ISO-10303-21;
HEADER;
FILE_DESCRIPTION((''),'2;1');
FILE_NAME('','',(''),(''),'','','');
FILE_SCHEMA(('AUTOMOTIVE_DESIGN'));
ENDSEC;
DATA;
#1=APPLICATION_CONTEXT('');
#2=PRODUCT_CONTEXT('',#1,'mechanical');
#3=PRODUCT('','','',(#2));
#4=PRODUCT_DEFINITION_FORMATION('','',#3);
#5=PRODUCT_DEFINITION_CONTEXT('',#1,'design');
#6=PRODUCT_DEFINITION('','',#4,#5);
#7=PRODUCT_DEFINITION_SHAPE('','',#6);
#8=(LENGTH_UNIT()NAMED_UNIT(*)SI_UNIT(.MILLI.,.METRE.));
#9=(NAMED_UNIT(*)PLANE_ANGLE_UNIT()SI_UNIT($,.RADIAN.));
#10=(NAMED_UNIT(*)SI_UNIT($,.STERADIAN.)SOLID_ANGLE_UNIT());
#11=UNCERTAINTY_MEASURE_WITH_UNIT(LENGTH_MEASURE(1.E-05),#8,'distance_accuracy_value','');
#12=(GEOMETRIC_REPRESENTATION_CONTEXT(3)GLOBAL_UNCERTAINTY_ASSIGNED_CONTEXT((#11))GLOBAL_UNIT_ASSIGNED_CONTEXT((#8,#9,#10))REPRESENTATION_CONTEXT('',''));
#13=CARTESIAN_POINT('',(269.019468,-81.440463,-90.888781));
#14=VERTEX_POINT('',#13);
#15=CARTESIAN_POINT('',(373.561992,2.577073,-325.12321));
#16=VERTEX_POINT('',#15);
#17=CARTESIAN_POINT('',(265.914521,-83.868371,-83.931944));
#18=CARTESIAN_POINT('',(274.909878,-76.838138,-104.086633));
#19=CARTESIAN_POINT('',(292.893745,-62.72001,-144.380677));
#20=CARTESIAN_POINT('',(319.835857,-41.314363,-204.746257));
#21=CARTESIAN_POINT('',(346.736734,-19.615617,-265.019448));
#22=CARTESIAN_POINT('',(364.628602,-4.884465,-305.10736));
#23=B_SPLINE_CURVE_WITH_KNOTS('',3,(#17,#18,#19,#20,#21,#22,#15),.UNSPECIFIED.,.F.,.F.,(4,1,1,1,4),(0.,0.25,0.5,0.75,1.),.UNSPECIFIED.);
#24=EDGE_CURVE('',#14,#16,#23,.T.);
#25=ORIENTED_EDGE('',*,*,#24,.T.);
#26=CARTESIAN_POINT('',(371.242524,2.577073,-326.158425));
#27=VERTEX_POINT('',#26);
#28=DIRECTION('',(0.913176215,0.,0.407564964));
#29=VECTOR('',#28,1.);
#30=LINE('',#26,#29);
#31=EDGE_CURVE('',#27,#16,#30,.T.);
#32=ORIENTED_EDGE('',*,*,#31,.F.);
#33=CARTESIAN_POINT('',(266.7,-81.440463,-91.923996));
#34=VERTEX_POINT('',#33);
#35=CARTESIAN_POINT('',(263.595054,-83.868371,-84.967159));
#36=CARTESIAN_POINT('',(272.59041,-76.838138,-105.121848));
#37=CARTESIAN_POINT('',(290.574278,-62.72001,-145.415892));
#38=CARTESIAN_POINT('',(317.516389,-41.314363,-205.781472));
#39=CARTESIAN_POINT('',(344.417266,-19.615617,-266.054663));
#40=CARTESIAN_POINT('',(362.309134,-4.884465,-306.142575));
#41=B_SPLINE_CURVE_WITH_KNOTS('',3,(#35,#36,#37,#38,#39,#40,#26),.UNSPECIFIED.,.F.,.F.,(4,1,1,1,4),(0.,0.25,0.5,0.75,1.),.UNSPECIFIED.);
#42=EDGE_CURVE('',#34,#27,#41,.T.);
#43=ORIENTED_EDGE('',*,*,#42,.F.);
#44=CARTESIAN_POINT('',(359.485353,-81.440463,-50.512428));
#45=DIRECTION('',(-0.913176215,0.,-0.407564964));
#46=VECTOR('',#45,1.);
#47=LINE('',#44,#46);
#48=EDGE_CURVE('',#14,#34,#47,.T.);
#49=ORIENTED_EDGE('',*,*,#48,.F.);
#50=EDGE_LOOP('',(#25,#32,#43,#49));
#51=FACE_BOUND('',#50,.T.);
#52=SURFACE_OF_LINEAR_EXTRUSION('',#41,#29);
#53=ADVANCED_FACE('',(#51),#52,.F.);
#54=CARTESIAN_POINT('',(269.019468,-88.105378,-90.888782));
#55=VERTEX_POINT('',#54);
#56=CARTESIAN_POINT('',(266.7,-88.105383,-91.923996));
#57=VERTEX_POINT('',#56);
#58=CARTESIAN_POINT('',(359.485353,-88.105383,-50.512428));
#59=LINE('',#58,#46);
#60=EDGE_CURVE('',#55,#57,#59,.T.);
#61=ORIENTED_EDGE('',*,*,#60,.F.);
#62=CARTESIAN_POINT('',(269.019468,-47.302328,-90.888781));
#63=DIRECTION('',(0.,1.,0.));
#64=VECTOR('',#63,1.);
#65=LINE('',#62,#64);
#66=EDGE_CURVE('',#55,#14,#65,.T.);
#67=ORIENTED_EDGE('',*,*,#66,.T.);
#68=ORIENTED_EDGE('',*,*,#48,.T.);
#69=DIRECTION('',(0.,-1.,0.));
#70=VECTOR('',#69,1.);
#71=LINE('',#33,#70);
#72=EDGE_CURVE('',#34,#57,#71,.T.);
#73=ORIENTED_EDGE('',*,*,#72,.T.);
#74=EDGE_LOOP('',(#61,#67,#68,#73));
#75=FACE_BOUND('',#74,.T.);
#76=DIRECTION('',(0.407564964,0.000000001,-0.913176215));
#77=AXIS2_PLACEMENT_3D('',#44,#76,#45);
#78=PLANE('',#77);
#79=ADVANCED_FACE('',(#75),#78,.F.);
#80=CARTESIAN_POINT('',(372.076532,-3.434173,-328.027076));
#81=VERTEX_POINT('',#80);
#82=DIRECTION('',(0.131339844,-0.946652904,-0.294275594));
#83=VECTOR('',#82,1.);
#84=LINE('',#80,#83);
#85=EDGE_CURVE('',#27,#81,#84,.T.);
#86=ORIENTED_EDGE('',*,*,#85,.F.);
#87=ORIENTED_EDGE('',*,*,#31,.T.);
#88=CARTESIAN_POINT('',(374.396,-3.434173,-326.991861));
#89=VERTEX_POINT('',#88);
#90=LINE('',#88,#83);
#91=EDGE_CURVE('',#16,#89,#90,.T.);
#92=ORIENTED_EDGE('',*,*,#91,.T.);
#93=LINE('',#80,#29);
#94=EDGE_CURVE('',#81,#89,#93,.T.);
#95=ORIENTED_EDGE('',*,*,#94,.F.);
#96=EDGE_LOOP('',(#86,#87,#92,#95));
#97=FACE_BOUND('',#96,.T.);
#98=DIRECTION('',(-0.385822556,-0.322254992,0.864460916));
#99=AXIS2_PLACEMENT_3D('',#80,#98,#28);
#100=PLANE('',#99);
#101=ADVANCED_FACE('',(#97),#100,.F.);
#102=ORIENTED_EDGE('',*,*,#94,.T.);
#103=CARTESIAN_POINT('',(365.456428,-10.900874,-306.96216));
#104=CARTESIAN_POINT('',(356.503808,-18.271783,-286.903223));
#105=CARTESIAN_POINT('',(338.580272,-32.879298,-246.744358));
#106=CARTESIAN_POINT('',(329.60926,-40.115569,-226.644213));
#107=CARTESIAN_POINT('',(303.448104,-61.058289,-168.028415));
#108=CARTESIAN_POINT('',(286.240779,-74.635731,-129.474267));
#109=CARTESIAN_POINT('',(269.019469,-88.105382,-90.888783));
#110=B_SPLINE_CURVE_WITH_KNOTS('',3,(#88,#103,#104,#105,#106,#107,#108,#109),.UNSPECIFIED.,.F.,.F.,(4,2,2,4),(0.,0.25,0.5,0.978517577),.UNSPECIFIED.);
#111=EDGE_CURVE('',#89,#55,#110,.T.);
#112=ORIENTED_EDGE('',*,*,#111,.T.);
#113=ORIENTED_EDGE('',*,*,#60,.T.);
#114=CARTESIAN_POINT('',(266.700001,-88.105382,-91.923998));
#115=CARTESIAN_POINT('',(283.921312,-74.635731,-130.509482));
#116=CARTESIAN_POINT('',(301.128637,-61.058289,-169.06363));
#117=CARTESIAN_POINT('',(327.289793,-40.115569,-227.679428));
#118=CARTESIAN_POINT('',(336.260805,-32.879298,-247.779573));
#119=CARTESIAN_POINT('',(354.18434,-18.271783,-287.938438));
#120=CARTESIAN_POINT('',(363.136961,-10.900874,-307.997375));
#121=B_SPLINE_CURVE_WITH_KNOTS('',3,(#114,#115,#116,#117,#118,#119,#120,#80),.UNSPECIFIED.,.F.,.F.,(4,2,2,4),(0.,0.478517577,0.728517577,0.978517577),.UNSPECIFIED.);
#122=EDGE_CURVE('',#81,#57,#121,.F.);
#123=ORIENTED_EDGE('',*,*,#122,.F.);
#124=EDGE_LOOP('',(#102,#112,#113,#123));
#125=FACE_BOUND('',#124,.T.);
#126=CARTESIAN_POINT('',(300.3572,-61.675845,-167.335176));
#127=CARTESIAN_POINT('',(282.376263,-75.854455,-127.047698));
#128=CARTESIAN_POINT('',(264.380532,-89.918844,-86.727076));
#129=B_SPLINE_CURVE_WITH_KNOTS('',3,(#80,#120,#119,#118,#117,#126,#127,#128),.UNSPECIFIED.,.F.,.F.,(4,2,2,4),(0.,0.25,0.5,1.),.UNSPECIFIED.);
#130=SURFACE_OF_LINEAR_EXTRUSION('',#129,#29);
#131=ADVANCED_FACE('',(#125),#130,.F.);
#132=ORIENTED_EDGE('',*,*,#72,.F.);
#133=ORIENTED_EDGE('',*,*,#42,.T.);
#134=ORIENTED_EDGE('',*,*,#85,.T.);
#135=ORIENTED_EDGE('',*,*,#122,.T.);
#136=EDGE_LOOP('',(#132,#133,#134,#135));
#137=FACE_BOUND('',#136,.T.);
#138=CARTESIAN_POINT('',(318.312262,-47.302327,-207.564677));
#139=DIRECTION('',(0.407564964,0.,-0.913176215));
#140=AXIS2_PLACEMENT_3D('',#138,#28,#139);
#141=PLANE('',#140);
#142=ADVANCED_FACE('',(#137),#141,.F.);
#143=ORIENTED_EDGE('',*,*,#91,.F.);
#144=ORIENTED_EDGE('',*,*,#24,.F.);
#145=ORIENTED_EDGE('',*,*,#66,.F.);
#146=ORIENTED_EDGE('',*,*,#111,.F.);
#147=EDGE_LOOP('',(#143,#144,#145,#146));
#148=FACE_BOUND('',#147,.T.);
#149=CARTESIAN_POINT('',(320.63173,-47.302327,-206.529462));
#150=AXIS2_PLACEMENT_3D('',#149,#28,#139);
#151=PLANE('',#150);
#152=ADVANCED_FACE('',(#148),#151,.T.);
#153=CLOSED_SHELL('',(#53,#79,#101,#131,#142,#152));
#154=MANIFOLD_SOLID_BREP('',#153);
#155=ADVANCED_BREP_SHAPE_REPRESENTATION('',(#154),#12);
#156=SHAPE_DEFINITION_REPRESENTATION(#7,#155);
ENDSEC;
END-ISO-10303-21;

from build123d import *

# Parameters (mm, degrees)
BOSS_EXTRUDE1_DEPTH = 2.54
CUT_EXTRUDE1_DEPTH  = 461.996688174


with BuildPart() as part:
    # Sketch1 → Boss-Extrude1 (new body)
    with BuildSketch(Plane(origin=(190.505997168, 0, 85.025834525), x_dir=(-0.40756496353562105, 0, 0.9131762154689576), z_dir=(-0.9131762154689574, 0, -0.407564963535621))):
        with BuildLine():
            Line((-451.191881748, -3.434173171), (-449.145562546, 2.577072767))
            add(Edge.make_bspline(
                [(-449.145562546, 2.577072767), (-427.226627008, -4.884465015), (-383.327200903, -19.615616926), (-317.323301525, -41.314363199), (-251.218228642, -62.720009507), (-207.093072223, -76.838137693), (-185.022096982, -83.868371447)],
                knots=[0, 0, 0, 0, 0.25, 0.5, 0.75, 1, 1, 1, 1], degree=3))
            Line((-185.022096982, -83.868371447), (-186.949344643, -89.918843863))
            add(Edge.make_bspline(
                [(-451.191881748, -3.434173171), (-429.257779366, -10.900873976), (-407.29166076, -18.271783438), (-363.314535035, -32.879297619), (-341.303290696, -40.115568889), (-275.221574147, -61.675844595), (-231.103607286, -75.85445458), (-186.949344643, -89.918843863)],
                knots=[0, 0, 0, 0, 0.25, 0.25, 0.5, 0.5, 1, 1, 1, 1], degree=3))
        make_face()
    extrude(amount=BOSS_EXTRUDE1_DEPTH)

    # Sketch2 → Cut-Extrude1 (cut, through all)
    with BuildSketch(Plane(origin=(188.18652958, 0, 83.990619518), x_dir=(-0.4075649635356864, -6.063035894240441e-13, 0.9131762154689282), z_dir=(-0.9131762154689284, -2.1508590946736572e-13, -0.40756496353568644))):
        with BuildLine():
            Line((-192.640382381, -81.440462715), (-192.640382385, -88.105382717))
            add(Edge.make_bspline(
                [(-192.640382385, -88.105382717), (-190.743438243, -88.710084881), (-188.846424944, -89.314569796), (-186.949344643, -89.918843863)],
                knots=[0.978517586, 0.978517586, 0.978517586, 0.978517586, 1, 1, 1, 1], degree=3))
            Line((-186.949344643, -89.918843863), (-185.022096982, -83.868371447))
            add(Edge.make_bspline(
                [(-185.022096982, -83.868371447), (-187.561639352, -83.059454927), (-190.10107055, -82.250156711), (-192.640382381, -81.440462715)],
                knots=[0, 0, 0, 0, 0.028765634, 0.028765634, 0.028765634, 0.028765634], degree=3))
        make_face()
    extrude(amount=-CUT_EXTRUDE1_DEPTH, mode=Mode.SUBTRACT)


solid = part.part
